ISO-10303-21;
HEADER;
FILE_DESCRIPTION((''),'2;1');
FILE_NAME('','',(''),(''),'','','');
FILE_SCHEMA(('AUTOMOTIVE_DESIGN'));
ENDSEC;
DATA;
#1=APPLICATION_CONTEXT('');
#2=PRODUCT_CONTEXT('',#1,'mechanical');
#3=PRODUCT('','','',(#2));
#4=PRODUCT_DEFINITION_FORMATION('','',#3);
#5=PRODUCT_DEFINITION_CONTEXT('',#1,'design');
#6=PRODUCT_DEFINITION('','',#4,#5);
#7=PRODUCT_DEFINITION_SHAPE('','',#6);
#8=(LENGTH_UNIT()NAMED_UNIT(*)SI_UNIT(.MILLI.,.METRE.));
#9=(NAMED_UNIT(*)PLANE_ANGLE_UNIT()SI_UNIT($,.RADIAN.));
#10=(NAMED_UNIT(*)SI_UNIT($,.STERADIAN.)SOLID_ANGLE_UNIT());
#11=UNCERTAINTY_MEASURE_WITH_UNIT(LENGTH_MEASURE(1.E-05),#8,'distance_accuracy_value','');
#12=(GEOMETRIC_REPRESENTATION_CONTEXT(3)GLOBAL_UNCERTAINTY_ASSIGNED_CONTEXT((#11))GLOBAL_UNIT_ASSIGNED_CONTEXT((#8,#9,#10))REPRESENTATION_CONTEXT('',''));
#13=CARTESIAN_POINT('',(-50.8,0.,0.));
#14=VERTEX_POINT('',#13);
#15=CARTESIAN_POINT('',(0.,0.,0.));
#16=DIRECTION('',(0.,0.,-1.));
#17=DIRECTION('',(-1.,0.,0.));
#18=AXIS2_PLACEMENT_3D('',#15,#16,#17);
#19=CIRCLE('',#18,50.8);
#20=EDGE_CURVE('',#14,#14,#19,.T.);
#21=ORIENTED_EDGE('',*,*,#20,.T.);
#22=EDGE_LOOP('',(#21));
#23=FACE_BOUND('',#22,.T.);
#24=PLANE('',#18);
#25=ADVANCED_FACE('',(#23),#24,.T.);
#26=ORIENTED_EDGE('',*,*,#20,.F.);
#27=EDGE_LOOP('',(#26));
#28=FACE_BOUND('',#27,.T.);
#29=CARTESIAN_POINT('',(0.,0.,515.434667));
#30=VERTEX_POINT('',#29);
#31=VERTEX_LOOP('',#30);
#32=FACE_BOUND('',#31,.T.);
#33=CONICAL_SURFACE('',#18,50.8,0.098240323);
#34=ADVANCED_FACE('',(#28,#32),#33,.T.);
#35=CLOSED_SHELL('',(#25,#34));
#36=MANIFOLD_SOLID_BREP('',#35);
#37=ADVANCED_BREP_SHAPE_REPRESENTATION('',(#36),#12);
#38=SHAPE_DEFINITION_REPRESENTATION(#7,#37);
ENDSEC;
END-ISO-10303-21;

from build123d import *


with BuildPart() as part:
    # Sketch2 → Revolve1 (revolve)
    with BuildSketch(Plane(origin=(0, 0, 0), x_dir=(0, 0, -1), z_dir=(1, 0, 0)), mode=Mode.PRIVATE) as revolve1_sk:
        with BuildLine():
            Line((0, 0), (0, 50.8))
            add(Edge.make_bspline(
                [(-515.43466696, 0), (-507.288117879, 0.802904267), (-491.124652277, 2.395936527), (-452.264197851, 6.225929369), (-422.796328148, 9.13021167), (-381.313054253, 13.218703285), (-351.44335661, 16.162588781), (-319.014018258, 19.358746304), (-291.829419681, 22.0379949), (-263.966154628, 24.78413123), (-237.038137035, 27.438091822), (-209.980153707, 30.104861524), (-186.020888084, 32.466229068), (-165.005703706, 34.537435051), (-146.041588122, 36.406492632), (-129.683525237, 38.018703932), (-112.79458612, 39.683237116), (-97.44062705, 41.196486361), (-80.427726051, 42.873236929), (-64.286234605, 44.46410347), (-43.499116183, 46.512831822), (-28.924939451, 47.949227597), (-10.367718231, 49.778182649), (-3.317599173, 50.473025412), (0, 50.8)],
                knots=[0.083402836, 0.083402836, 0.083402836, 0.083402836, 0.083402836, 0.146623644, 0.209844452, 0.269060323, 0.327990126, 0.382128307, 0.423250439, 0.467376275, 0.51064391, 0.558274066, 0.600254399, 0.640875914, 0.666550428, 0.694084377, 0.722691078, 0.74774578, 0.773897072, 0.796710916, 0.827510797, 0.861600449, 0.891685162, 0.917431193, 0.917431193, 0.917431193, 0.917431193, 0.917431193], degree=4))
            Line((-515.43466696, 0), (0, 0))
        make_face()
    revolve(revolve1_sk.sketch.rotate(Axis((0, 0, 0), (0, 0, 1)), 90), axis=Axis((0, 0, 0), (0, 0, 1)))


solid = part.part
